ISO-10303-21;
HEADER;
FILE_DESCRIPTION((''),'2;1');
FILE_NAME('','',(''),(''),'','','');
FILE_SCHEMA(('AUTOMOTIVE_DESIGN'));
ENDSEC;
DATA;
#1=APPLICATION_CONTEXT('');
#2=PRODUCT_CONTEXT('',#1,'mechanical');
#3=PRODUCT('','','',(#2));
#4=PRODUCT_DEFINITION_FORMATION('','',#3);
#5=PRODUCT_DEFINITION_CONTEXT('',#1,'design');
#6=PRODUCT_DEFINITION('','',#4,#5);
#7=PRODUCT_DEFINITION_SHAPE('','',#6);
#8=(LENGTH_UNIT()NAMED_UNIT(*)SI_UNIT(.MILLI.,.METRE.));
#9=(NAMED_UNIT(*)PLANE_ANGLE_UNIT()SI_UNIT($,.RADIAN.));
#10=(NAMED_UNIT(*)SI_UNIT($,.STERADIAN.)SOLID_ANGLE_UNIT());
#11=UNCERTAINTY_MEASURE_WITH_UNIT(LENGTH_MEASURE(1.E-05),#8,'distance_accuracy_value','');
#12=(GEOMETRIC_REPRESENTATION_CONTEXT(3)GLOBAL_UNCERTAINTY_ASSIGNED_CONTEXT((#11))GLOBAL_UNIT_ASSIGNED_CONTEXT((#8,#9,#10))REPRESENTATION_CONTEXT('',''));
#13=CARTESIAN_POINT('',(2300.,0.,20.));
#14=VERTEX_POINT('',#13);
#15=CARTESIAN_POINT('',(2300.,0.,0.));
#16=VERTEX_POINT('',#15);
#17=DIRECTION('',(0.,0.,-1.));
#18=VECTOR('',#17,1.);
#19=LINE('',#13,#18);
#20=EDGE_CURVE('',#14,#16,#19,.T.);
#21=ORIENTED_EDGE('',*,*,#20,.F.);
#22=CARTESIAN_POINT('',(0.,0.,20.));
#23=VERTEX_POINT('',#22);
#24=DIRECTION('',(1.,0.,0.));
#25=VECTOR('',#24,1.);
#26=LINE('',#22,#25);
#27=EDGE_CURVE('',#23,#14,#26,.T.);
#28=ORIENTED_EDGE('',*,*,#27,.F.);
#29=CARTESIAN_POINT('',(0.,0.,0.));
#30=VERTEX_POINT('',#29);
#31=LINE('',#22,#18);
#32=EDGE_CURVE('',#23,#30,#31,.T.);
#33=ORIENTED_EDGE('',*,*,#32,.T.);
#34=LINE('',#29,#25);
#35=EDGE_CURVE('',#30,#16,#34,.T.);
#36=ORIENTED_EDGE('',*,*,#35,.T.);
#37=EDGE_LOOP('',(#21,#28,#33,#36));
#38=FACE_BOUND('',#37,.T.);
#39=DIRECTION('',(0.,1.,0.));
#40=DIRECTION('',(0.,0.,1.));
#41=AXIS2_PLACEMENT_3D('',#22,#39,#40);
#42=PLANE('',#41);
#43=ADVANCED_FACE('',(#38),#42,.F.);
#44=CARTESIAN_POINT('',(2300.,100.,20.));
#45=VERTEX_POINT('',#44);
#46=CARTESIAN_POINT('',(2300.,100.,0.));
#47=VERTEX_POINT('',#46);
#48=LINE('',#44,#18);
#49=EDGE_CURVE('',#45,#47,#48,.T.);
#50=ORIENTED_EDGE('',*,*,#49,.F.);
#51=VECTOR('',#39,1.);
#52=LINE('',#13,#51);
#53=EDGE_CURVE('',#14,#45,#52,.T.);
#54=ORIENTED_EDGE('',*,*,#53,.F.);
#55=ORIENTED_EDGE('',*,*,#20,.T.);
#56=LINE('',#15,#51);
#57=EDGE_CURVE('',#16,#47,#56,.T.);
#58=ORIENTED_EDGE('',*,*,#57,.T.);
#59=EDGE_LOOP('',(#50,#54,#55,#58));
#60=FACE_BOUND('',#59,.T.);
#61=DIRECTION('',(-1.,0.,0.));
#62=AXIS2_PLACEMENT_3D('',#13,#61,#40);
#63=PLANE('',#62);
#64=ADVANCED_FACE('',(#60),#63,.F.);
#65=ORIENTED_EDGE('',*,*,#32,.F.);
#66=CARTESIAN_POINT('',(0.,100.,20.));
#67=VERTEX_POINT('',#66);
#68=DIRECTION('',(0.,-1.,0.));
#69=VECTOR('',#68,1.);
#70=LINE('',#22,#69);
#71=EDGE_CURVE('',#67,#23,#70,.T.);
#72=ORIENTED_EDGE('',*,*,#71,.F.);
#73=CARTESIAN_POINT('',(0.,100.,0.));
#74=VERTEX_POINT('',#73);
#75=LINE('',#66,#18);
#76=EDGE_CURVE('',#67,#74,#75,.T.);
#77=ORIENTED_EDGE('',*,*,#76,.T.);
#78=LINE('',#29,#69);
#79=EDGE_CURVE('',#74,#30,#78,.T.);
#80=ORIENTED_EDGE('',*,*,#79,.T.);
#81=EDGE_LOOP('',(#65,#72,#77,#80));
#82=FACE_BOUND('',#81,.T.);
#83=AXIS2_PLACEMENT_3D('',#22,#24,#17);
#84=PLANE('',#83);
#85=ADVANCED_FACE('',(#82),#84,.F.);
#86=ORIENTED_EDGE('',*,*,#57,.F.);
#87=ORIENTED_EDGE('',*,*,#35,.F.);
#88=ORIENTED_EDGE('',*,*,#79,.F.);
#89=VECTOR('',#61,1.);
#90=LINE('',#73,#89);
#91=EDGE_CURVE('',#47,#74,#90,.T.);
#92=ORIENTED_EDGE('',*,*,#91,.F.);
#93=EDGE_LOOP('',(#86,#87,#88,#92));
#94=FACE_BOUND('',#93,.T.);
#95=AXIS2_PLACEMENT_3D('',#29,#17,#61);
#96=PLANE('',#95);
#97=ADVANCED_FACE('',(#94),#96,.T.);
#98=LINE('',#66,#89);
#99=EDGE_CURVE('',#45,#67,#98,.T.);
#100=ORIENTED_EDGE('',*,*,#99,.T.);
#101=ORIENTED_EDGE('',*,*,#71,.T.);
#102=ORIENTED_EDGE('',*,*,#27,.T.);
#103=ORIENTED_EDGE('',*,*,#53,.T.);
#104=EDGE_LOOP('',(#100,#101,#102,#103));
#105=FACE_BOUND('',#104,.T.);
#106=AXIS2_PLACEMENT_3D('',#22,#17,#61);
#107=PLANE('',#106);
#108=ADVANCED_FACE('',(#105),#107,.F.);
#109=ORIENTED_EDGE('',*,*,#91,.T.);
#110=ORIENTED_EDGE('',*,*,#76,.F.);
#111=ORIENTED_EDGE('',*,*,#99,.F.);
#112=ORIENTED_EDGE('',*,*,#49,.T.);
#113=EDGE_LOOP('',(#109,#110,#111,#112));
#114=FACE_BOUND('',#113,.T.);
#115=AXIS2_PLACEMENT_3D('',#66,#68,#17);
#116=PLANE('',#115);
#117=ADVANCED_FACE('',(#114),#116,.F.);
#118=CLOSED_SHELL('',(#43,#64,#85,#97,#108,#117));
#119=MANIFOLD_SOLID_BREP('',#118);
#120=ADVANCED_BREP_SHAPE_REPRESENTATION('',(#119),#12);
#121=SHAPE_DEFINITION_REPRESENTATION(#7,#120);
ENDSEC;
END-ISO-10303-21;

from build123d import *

# Parameters (mm, degrees)
ESBO_O1_W                = 2300
ESBO_O1_H                = 100
RESSALTO_EXTRUS_O1_DEPTH = 20


with BuildPart() as part:
    # Esboço1 → Ressalto-extrusão1 (new body)
    with BuildSketch(Plane.XY):
        with Locations((1150, 50)):
            Rectangle(ESBO_O1_W, ESBO_O1_H)
    extrude(amount=RESSALTO_EXTRUS_O1_DEPTH)


solid = part.part
